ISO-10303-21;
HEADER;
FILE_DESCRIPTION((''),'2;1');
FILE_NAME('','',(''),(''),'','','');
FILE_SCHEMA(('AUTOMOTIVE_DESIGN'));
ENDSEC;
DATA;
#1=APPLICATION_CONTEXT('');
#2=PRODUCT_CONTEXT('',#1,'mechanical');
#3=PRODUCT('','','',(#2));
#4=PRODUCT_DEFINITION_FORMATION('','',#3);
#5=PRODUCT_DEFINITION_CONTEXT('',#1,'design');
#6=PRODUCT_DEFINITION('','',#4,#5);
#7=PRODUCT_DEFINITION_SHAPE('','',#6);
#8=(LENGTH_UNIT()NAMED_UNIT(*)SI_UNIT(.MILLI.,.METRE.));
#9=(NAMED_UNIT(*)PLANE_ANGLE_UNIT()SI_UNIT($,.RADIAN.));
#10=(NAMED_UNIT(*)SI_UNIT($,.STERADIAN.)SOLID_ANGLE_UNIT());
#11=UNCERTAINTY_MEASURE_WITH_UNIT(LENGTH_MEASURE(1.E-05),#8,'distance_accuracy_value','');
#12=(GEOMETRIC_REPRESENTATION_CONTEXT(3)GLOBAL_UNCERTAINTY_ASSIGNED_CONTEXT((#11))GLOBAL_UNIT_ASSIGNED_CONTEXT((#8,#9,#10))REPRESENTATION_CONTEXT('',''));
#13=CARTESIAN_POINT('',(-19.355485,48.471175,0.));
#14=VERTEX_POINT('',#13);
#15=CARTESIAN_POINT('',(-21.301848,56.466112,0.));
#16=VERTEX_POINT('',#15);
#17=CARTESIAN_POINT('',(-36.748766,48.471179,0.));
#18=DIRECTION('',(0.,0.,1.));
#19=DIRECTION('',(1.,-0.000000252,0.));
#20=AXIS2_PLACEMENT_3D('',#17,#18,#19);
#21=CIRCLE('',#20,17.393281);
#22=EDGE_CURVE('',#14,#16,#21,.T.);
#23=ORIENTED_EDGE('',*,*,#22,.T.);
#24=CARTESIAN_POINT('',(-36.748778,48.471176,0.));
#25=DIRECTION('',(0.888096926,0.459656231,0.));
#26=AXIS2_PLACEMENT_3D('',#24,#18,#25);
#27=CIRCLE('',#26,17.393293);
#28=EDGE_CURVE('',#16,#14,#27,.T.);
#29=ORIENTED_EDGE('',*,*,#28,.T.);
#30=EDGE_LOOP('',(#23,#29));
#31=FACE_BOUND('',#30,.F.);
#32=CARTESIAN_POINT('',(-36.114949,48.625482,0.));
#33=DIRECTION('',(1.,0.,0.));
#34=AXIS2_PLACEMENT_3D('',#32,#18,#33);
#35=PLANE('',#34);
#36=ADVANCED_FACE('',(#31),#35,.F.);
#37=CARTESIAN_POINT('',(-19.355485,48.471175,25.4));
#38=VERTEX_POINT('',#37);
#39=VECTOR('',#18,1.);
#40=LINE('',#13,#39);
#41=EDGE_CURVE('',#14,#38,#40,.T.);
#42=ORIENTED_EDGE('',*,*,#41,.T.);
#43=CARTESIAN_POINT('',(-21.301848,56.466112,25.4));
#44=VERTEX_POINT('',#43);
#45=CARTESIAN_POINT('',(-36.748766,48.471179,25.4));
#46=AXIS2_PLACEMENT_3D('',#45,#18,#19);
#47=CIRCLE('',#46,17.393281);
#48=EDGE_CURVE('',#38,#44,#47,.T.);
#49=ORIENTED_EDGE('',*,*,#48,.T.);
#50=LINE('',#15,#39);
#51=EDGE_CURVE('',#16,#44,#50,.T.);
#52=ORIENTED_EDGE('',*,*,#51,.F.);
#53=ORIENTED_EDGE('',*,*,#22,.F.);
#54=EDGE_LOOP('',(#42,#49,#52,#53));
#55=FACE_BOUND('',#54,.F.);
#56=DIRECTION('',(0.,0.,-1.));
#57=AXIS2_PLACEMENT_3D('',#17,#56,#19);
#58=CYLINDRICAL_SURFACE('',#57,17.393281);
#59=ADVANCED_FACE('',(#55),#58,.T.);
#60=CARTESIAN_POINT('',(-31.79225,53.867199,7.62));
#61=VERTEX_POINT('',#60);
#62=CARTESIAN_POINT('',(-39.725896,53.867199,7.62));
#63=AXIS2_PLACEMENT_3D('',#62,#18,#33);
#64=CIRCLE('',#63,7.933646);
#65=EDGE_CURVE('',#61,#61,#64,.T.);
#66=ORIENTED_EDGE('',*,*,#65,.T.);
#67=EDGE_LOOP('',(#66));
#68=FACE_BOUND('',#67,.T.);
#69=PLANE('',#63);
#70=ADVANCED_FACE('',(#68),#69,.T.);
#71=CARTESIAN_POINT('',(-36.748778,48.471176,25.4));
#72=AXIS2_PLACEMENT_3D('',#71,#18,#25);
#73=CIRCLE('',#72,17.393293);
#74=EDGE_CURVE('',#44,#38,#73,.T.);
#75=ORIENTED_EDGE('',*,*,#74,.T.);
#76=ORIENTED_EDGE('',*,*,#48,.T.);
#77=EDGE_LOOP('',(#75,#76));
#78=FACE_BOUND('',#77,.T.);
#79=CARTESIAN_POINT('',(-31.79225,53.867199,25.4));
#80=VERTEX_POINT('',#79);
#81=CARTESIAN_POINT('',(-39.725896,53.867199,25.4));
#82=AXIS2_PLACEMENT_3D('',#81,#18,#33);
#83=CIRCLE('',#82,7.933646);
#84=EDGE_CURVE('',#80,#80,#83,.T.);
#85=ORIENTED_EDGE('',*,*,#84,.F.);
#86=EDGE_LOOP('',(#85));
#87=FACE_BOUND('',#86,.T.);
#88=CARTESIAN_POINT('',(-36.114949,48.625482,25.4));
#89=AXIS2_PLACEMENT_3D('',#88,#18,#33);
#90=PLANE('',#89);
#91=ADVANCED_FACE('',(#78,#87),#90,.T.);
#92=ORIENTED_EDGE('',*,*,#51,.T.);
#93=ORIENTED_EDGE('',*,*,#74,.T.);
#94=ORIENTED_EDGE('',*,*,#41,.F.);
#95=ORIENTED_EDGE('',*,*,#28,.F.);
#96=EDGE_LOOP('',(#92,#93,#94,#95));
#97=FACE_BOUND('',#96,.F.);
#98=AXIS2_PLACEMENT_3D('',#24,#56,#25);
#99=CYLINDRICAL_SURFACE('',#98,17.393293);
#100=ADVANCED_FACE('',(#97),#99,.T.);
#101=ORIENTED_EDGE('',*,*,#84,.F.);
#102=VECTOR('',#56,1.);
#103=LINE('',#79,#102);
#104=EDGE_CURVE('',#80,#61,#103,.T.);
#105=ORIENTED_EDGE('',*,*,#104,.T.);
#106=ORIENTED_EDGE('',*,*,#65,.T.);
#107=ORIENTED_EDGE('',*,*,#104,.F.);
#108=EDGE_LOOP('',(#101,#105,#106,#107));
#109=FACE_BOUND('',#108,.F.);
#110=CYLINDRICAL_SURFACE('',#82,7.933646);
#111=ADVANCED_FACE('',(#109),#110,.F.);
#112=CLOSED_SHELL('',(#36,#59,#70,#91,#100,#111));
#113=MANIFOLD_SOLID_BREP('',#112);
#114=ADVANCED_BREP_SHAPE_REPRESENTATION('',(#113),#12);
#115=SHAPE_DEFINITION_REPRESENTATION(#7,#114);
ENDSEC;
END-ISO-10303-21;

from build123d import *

# Parameters (mm, degrees)
F1_DEPTH = 25.4
F2_R     = 7.933646
F3_DEPTH = 17.78


with BuildPart() as f1:
    # F0 (on Top) → F1 (new body)
    with BuildSketch(Plane.XY):
        with BuildLine():
            ThreePointArc((-21.301848, 56.466112), (-53.648477, 44.356952), (-19.355485, 48.471175))
            ThreePointArc((-19.355485, 48.471175), (-19.849079, 52.585399), (-21.301848, 56.466112))
        make_face()
    extrude(amount=F1_DEPTH)

    # F2 (on face) → F3 (cut)
    with BuildSketch(Plane.XY.offset(25.4)):
        with Locations((-39.725896, 53.867199)):
            Circle(F2_R)
    extrude(amount=-F3_DEPTH, mode=Mode.SUBTRACT)


solid = f1.part
